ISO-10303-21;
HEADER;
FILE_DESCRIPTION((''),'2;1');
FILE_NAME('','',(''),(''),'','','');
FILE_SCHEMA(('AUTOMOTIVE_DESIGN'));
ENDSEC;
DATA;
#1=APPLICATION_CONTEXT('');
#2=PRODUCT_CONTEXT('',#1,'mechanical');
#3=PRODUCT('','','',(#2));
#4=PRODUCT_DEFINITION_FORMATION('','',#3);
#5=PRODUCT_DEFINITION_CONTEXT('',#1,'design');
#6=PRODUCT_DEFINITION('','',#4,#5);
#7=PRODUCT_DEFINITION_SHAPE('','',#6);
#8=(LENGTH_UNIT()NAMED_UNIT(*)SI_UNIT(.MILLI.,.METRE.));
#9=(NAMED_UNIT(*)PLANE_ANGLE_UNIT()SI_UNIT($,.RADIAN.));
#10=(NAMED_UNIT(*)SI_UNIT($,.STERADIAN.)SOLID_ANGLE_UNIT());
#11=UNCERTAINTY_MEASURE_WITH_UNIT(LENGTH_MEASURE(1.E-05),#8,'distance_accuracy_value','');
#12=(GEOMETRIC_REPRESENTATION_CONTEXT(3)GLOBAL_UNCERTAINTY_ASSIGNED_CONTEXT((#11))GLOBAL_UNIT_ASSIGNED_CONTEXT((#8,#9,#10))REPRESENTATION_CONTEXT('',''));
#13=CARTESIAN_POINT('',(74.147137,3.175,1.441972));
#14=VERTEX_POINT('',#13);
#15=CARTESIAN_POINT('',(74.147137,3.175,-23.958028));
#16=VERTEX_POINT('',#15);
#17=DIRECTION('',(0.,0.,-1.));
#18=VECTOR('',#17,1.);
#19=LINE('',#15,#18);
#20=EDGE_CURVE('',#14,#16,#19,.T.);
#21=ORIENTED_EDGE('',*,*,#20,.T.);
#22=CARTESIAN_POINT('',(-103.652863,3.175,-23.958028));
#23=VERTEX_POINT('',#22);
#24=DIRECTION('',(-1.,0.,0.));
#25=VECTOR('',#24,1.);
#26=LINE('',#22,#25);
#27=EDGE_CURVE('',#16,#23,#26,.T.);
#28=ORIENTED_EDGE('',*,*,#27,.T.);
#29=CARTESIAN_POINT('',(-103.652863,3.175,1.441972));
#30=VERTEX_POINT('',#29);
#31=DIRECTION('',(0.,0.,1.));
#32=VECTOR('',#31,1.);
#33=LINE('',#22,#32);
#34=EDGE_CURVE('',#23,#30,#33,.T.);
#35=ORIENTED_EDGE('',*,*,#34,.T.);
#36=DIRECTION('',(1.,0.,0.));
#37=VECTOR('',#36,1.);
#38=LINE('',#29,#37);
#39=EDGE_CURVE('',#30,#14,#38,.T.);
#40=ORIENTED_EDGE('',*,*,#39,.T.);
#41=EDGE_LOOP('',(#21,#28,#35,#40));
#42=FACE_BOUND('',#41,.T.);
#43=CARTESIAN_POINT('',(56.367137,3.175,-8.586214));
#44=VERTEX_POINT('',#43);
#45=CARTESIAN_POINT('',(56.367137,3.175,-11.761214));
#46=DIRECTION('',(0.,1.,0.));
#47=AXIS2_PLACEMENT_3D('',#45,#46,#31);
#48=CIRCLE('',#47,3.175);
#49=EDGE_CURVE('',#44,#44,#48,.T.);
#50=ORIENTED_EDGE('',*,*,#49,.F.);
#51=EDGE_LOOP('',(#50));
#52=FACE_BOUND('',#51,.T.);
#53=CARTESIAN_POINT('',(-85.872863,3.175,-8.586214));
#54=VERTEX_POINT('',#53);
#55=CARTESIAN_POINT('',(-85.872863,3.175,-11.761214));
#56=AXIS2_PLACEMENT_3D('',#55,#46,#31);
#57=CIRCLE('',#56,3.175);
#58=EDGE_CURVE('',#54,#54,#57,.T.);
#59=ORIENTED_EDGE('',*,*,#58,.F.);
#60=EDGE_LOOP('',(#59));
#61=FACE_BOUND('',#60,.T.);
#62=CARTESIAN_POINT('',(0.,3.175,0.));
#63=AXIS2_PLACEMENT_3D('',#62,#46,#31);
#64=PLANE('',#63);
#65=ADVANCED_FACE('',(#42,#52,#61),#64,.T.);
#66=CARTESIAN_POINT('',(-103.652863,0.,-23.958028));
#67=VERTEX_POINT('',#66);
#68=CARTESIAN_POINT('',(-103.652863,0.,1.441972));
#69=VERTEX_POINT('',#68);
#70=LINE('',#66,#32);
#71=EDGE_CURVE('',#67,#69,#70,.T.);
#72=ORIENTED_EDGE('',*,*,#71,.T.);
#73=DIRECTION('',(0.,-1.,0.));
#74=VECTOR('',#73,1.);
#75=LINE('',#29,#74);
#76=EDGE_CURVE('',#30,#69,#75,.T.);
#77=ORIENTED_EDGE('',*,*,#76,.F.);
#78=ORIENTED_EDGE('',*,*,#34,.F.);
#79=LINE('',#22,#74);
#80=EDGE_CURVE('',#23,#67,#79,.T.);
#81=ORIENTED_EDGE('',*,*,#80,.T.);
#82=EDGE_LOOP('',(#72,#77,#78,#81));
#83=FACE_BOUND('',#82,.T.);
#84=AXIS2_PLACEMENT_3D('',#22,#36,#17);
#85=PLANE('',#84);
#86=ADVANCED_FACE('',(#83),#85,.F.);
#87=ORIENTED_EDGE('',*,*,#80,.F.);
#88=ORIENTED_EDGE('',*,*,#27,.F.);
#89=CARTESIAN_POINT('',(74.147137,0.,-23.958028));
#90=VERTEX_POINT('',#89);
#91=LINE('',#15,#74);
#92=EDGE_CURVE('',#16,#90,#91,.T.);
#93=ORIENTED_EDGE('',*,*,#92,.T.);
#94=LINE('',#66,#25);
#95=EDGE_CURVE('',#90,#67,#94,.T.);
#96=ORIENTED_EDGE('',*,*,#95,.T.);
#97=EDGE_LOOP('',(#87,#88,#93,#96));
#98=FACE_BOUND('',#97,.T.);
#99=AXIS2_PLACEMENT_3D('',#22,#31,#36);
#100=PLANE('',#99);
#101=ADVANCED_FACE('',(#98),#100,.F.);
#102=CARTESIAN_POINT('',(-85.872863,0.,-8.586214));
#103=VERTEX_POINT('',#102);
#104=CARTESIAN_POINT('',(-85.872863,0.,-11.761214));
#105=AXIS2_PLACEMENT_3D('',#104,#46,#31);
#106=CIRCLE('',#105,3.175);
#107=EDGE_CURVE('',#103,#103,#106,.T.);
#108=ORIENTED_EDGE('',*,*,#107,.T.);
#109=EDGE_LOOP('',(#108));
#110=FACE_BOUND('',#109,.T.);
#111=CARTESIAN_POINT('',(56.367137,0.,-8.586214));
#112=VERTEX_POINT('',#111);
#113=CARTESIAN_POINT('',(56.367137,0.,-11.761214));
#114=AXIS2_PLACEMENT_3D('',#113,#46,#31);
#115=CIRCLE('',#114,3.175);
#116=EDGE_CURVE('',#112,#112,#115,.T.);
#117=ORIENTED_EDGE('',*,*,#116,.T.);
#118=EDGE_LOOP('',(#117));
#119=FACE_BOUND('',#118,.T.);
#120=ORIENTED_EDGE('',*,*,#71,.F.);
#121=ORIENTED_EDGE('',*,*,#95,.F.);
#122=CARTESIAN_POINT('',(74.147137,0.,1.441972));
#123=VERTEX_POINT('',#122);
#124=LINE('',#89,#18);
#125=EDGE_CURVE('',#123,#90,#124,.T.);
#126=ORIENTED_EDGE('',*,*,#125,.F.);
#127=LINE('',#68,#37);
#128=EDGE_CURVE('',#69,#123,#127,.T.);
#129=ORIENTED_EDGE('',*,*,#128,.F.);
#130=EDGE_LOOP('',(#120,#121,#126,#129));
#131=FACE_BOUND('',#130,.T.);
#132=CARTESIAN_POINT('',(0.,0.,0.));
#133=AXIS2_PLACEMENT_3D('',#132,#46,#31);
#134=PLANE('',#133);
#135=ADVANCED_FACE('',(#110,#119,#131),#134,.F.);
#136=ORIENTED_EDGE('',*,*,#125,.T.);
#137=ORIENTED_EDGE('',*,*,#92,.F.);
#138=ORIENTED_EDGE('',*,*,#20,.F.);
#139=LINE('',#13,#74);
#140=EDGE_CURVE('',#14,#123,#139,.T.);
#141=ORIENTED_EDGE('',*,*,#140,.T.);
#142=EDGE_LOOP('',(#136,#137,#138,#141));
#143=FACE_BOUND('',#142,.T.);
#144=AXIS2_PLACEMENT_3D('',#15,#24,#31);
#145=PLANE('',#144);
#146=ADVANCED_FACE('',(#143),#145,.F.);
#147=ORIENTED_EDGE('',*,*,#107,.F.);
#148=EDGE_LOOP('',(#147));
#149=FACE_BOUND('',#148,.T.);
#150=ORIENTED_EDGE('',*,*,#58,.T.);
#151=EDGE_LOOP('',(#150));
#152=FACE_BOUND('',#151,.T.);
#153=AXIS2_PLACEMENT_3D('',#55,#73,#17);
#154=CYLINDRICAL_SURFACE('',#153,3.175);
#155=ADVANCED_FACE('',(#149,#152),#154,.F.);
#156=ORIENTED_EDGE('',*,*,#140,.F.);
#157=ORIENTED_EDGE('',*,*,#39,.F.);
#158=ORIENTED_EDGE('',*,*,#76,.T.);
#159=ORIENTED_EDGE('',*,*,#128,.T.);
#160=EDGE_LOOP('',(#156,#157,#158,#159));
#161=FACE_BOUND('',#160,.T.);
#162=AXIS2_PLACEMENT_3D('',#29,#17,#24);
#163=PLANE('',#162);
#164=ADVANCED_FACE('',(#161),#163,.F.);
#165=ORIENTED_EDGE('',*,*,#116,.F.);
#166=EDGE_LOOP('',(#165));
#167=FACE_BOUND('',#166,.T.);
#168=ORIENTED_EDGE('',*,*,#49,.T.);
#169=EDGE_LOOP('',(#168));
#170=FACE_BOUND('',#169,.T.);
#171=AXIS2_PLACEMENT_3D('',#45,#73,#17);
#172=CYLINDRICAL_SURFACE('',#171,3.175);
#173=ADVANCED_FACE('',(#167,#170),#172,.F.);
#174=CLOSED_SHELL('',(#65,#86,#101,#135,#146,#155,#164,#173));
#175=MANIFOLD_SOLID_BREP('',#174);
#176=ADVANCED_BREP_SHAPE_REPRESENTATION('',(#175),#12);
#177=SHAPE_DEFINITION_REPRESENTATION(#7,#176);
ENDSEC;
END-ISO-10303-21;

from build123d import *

# Parameters (mm, degrees)
SKETCH1_W           = 177.8
SKETCH1_H           = 25.4
SKETCH1_R           = 3.175
BOSS_EXTRUDE1_DEPTH = 3.175


with BuildPart() as part:
    # Sketch1 → Boss-Extrude1 (new body)
    with BuildSketch(Plane(origin=(0, 0, 0), x_dir=(1, 0, 0), z_dir=(0, 1, 0))):
        with Locations((-14.752862555, 11.258028356)):
            Rectangle(SKETCH1_W, SKETCH1_H)
        with Locations(Location((56.367137445, 11.76121392, 0), (0, 0, 270))):
            Circle(SKETCH1_R, mode=Mode.SUBTRACT)
        with Locations(Location((-85.872862555, 11.76121392, 0), (0, 0, 270))):
            Circle(SKETCH1_R, mode=Mode.SUBTRACT)
    extrude(amount=BOSS_EXTRUDE1_DEPTH)


solid = part.part
